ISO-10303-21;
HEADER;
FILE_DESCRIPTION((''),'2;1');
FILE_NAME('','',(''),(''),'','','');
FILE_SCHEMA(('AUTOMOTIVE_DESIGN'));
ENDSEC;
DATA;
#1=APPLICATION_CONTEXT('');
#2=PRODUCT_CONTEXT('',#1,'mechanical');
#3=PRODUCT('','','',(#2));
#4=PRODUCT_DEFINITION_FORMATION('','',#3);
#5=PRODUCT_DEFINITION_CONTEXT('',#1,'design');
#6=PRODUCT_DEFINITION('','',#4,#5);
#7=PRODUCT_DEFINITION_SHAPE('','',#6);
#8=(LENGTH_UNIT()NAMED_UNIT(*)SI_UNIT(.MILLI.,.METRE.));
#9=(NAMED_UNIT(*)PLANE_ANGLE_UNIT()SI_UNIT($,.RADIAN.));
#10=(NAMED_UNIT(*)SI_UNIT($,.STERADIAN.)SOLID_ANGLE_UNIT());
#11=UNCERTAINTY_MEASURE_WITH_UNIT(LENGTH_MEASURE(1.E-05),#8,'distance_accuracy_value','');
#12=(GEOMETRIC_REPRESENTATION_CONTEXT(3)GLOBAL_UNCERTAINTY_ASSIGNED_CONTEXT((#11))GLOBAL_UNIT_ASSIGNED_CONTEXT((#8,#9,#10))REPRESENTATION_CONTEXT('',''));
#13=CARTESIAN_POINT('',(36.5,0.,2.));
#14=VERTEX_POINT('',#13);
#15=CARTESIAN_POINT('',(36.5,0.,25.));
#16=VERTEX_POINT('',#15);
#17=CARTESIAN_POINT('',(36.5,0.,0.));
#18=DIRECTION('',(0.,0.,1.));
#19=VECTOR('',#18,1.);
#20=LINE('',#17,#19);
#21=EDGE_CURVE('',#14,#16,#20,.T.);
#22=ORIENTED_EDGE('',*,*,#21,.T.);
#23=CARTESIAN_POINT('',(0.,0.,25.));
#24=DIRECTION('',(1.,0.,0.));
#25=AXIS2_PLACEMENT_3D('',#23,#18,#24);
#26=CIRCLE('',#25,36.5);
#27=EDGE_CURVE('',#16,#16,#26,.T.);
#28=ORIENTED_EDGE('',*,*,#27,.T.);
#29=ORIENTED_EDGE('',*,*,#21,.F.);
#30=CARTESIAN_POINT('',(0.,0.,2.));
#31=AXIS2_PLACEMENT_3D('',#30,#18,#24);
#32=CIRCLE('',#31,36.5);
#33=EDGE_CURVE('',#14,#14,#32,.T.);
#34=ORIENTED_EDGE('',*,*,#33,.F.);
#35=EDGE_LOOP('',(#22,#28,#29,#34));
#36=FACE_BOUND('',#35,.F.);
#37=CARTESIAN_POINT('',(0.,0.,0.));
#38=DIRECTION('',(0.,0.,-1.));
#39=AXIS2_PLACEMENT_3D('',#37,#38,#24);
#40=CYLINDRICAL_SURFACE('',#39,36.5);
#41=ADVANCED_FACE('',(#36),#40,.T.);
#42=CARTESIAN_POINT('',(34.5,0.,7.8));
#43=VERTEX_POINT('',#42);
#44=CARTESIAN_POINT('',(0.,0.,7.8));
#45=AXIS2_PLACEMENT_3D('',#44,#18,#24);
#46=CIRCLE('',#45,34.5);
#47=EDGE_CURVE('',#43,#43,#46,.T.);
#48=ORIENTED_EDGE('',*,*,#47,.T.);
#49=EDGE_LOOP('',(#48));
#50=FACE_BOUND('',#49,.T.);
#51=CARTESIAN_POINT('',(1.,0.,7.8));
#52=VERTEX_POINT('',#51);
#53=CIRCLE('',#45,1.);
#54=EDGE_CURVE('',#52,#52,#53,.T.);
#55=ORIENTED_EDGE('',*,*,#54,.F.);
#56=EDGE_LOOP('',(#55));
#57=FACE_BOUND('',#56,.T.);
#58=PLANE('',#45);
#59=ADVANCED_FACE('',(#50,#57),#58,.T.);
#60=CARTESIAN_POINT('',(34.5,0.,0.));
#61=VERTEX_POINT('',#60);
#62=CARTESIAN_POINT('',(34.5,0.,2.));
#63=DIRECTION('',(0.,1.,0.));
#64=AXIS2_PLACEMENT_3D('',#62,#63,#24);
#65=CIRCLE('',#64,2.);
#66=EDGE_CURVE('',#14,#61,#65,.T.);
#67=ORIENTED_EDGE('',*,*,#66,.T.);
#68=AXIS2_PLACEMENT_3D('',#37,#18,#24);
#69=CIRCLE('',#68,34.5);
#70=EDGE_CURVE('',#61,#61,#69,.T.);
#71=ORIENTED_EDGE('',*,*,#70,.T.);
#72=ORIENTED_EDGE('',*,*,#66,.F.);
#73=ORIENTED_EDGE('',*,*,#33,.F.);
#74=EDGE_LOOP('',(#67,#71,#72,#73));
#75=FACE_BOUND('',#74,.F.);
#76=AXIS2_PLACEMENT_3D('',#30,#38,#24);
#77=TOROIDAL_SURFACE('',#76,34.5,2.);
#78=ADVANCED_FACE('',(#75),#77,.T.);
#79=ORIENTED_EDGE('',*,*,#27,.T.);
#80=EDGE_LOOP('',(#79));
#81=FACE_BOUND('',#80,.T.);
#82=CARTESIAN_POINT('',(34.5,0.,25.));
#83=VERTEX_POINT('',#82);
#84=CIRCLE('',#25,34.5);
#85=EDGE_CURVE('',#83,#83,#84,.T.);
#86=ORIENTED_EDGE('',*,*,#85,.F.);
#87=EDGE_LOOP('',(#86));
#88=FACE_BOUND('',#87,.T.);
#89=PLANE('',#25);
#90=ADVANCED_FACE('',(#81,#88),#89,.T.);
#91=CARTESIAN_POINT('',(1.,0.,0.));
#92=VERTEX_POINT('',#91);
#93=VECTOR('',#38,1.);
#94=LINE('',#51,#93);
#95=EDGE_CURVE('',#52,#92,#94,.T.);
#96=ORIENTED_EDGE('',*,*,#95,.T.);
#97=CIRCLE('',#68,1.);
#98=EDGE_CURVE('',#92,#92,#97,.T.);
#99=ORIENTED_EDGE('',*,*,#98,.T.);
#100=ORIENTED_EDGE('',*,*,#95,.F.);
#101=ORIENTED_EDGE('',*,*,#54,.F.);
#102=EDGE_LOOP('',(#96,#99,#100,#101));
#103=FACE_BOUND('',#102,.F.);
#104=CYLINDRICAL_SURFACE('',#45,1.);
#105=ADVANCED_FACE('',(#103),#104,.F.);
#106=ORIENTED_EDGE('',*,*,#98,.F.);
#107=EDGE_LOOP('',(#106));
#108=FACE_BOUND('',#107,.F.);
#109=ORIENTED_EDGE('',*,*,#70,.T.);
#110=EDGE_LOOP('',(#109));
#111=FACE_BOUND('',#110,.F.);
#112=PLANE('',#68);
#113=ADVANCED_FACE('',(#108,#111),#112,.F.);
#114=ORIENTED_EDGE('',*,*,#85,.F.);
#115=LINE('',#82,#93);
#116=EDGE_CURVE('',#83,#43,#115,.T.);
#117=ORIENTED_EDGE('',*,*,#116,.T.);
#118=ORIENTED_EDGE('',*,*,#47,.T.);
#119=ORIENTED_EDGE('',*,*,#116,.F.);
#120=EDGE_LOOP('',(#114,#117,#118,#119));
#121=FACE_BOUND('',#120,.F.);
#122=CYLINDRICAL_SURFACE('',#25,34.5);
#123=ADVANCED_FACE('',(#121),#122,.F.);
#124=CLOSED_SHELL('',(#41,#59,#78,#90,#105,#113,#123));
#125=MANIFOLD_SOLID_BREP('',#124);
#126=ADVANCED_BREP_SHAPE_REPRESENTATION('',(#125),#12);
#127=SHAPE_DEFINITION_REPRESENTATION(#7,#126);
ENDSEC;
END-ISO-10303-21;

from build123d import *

# Parameters (mm, degrees)
F0_R     = 36.5
F1_DEPTH = 25
F2_R     = 2
F3_R     = 34.5
F4_DEPTH = 17.2
F5_R     = 1
F6_DEPTH = 25


with BuildPart() as f1:
    # F0 (on Top) → F1 (new body)
    with BuildSketch(Plane.XY):
        Circle(F0_R)
    extrude(amount=F1_DEPTH)

    # F2
    f2_edges = [f1.edges().sort_by_distance(p)[0] for p in [
        (-36.5, 0, 0),
    ]]
    fillet(f2_edges, radius=F2_R)

    # F3 (on face) → F4 (cut)
    with BuildSketch(Plane.XY.offset(25)):
        Circle(F3_R)
    extrude(amount=-F4_DEPTH, mode=Mode.SUBTRACT)

    # F5 (on face) → F6 (cut)
    with BuildSketch(Plane.XY.offset(7.8)):
        Circle(F5_R)
    extrude(amount=-F6_DEPTH, mode=Mode.SUBTRACT)


solid = f1.part
